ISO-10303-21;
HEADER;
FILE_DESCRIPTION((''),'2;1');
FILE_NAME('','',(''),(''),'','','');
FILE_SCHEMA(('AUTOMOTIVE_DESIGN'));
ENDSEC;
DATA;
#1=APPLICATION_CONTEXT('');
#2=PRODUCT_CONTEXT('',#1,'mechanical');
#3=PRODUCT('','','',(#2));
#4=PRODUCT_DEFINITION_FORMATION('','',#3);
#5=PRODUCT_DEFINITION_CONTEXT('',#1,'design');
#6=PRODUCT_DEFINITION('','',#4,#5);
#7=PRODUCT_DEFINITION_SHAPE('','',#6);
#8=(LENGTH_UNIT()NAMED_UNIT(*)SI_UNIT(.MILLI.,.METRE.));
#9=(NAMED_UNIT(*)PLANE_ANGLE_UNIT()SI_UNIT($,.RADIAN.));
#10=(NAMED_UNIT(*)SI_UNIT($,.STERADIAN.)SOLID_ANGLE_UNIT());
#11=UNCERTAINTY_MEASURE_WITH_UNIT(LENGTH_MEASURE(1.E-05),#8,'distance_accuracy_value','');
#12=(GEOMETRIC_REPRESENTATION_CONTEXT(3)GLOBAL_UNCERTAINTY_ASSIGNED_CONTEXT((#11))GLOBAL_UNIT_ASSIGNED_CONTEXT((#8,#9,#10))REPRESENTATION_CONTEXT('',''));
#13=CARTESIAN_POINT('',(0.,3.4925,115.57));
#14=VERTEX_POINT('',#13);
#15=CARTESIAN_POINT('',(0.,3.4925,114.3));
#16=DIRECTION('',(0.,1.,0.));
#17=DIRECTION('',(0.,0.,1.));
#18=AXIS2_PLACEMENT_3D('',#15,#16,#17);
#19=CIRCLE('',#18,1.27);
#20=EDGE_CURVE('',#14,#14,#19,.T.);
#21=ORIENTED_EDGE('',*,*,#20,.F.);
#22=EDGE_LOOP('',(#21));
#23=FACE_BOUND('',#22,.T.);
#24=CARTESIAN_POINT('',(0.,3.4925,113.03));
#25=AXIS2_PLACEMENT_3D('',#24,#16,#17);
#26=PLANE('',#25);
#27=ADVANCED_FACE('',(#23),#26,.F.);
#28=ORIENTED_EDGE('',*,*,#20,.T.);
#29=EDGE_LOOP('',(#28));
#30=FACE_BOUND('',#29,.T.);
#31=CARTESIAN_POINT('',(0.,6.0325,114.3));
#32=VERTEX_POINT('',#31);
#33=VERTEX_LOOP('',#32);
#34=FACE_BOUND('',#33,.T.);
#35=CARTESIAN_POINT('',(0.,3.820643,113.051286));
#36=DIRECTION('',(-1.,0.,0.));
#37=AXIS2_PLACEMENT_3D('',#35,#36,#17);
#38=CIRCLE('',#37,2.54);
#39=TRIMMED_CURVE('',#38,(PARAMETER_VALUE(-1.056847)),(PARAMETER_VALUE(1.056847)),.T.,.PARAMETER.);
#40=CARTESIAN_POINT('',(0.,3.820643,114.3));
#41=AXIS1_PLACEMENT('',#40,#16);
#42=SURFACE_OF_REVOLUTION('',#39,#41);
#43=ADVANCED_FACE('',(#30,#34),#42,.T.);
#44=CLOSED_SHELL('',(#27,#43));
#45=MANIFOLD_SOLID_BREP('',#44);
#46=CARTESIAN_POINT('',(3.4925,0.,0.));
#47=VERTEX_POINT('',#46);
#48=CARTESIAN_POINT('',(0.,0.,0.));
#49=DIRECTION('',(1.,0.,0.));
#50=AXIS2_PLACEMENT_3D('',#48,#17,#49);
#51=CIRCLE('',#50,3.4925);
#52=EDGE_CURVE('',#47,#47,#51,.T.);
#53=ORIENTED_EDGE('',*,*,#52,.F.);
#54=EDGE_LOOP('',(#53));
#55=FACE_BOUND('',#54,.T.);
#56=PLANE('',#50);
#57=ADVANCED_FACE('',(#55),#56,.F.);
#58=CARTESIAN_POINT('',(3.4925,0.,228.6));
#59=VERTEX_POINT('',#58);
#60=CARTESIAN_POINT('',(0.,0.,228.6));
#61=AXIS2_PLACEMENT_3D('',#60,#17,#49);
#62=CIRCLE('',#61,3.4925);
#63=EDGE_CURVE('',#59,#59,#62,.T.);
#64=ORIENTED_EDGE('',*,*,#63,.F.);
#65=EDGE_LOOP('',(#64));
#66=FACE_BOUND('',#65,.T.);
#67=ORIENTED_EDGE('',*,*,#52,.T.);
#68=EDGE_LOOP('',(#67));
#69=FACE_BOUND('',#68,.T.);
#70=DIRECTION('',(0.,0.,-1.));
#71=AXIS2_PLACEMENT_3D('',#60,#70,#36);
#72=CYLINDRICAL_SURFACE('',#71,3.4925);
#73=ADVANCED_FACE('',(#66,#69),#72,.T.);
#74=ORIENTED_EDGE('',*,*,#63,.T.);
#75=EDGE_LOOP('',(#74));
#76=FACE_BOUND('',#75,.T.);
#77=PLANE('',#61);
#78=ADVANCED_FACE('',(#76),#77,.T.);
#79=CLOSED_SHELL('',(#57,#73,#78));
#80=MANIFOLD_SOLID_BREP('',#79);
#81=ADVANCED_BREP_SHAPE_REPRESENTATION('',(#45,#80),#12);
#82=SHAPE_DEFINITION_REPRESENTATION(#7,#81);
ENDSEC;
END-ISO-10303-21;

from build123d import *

# Parameters (mm, degrees)
SKETCH1_R           = 3.4925
BOSS_EXTRUDE1_DEPTH = 228.6


with BuildPart() as part:
    # Sketch1 → Boss-Extrude1 (new body)
    with BuildSketch(Plane.XY):
        Circle(SKETCH1_R)
    extrude(amount=BOSS_EXTRUDE1_DEPTH)


with BuildPart() as body_2:
    # Sketch2 → Revolve1 (revolve)
    with BuildSketch(Plane(origin=(0, 0, 0), x_dir=(0, 0, -1), z_dir=(1, 0, 0))):
        with BuildLine():
            Line((-113.03, 3.4925), (-114.3, 3.4925))
            Line((-114.3, 3.4925), (-114.3, 6.0325))
            ThreePointArc((-114.3, 6.0325), (-113.276869351, 4.956565325), (-113.03, 3.4925))
        make_face()
    revolve(axis=Axis((0, 6.0325, 114.3), (0, -1, 0)))


solid = Compound([part.part, body_2.part])
